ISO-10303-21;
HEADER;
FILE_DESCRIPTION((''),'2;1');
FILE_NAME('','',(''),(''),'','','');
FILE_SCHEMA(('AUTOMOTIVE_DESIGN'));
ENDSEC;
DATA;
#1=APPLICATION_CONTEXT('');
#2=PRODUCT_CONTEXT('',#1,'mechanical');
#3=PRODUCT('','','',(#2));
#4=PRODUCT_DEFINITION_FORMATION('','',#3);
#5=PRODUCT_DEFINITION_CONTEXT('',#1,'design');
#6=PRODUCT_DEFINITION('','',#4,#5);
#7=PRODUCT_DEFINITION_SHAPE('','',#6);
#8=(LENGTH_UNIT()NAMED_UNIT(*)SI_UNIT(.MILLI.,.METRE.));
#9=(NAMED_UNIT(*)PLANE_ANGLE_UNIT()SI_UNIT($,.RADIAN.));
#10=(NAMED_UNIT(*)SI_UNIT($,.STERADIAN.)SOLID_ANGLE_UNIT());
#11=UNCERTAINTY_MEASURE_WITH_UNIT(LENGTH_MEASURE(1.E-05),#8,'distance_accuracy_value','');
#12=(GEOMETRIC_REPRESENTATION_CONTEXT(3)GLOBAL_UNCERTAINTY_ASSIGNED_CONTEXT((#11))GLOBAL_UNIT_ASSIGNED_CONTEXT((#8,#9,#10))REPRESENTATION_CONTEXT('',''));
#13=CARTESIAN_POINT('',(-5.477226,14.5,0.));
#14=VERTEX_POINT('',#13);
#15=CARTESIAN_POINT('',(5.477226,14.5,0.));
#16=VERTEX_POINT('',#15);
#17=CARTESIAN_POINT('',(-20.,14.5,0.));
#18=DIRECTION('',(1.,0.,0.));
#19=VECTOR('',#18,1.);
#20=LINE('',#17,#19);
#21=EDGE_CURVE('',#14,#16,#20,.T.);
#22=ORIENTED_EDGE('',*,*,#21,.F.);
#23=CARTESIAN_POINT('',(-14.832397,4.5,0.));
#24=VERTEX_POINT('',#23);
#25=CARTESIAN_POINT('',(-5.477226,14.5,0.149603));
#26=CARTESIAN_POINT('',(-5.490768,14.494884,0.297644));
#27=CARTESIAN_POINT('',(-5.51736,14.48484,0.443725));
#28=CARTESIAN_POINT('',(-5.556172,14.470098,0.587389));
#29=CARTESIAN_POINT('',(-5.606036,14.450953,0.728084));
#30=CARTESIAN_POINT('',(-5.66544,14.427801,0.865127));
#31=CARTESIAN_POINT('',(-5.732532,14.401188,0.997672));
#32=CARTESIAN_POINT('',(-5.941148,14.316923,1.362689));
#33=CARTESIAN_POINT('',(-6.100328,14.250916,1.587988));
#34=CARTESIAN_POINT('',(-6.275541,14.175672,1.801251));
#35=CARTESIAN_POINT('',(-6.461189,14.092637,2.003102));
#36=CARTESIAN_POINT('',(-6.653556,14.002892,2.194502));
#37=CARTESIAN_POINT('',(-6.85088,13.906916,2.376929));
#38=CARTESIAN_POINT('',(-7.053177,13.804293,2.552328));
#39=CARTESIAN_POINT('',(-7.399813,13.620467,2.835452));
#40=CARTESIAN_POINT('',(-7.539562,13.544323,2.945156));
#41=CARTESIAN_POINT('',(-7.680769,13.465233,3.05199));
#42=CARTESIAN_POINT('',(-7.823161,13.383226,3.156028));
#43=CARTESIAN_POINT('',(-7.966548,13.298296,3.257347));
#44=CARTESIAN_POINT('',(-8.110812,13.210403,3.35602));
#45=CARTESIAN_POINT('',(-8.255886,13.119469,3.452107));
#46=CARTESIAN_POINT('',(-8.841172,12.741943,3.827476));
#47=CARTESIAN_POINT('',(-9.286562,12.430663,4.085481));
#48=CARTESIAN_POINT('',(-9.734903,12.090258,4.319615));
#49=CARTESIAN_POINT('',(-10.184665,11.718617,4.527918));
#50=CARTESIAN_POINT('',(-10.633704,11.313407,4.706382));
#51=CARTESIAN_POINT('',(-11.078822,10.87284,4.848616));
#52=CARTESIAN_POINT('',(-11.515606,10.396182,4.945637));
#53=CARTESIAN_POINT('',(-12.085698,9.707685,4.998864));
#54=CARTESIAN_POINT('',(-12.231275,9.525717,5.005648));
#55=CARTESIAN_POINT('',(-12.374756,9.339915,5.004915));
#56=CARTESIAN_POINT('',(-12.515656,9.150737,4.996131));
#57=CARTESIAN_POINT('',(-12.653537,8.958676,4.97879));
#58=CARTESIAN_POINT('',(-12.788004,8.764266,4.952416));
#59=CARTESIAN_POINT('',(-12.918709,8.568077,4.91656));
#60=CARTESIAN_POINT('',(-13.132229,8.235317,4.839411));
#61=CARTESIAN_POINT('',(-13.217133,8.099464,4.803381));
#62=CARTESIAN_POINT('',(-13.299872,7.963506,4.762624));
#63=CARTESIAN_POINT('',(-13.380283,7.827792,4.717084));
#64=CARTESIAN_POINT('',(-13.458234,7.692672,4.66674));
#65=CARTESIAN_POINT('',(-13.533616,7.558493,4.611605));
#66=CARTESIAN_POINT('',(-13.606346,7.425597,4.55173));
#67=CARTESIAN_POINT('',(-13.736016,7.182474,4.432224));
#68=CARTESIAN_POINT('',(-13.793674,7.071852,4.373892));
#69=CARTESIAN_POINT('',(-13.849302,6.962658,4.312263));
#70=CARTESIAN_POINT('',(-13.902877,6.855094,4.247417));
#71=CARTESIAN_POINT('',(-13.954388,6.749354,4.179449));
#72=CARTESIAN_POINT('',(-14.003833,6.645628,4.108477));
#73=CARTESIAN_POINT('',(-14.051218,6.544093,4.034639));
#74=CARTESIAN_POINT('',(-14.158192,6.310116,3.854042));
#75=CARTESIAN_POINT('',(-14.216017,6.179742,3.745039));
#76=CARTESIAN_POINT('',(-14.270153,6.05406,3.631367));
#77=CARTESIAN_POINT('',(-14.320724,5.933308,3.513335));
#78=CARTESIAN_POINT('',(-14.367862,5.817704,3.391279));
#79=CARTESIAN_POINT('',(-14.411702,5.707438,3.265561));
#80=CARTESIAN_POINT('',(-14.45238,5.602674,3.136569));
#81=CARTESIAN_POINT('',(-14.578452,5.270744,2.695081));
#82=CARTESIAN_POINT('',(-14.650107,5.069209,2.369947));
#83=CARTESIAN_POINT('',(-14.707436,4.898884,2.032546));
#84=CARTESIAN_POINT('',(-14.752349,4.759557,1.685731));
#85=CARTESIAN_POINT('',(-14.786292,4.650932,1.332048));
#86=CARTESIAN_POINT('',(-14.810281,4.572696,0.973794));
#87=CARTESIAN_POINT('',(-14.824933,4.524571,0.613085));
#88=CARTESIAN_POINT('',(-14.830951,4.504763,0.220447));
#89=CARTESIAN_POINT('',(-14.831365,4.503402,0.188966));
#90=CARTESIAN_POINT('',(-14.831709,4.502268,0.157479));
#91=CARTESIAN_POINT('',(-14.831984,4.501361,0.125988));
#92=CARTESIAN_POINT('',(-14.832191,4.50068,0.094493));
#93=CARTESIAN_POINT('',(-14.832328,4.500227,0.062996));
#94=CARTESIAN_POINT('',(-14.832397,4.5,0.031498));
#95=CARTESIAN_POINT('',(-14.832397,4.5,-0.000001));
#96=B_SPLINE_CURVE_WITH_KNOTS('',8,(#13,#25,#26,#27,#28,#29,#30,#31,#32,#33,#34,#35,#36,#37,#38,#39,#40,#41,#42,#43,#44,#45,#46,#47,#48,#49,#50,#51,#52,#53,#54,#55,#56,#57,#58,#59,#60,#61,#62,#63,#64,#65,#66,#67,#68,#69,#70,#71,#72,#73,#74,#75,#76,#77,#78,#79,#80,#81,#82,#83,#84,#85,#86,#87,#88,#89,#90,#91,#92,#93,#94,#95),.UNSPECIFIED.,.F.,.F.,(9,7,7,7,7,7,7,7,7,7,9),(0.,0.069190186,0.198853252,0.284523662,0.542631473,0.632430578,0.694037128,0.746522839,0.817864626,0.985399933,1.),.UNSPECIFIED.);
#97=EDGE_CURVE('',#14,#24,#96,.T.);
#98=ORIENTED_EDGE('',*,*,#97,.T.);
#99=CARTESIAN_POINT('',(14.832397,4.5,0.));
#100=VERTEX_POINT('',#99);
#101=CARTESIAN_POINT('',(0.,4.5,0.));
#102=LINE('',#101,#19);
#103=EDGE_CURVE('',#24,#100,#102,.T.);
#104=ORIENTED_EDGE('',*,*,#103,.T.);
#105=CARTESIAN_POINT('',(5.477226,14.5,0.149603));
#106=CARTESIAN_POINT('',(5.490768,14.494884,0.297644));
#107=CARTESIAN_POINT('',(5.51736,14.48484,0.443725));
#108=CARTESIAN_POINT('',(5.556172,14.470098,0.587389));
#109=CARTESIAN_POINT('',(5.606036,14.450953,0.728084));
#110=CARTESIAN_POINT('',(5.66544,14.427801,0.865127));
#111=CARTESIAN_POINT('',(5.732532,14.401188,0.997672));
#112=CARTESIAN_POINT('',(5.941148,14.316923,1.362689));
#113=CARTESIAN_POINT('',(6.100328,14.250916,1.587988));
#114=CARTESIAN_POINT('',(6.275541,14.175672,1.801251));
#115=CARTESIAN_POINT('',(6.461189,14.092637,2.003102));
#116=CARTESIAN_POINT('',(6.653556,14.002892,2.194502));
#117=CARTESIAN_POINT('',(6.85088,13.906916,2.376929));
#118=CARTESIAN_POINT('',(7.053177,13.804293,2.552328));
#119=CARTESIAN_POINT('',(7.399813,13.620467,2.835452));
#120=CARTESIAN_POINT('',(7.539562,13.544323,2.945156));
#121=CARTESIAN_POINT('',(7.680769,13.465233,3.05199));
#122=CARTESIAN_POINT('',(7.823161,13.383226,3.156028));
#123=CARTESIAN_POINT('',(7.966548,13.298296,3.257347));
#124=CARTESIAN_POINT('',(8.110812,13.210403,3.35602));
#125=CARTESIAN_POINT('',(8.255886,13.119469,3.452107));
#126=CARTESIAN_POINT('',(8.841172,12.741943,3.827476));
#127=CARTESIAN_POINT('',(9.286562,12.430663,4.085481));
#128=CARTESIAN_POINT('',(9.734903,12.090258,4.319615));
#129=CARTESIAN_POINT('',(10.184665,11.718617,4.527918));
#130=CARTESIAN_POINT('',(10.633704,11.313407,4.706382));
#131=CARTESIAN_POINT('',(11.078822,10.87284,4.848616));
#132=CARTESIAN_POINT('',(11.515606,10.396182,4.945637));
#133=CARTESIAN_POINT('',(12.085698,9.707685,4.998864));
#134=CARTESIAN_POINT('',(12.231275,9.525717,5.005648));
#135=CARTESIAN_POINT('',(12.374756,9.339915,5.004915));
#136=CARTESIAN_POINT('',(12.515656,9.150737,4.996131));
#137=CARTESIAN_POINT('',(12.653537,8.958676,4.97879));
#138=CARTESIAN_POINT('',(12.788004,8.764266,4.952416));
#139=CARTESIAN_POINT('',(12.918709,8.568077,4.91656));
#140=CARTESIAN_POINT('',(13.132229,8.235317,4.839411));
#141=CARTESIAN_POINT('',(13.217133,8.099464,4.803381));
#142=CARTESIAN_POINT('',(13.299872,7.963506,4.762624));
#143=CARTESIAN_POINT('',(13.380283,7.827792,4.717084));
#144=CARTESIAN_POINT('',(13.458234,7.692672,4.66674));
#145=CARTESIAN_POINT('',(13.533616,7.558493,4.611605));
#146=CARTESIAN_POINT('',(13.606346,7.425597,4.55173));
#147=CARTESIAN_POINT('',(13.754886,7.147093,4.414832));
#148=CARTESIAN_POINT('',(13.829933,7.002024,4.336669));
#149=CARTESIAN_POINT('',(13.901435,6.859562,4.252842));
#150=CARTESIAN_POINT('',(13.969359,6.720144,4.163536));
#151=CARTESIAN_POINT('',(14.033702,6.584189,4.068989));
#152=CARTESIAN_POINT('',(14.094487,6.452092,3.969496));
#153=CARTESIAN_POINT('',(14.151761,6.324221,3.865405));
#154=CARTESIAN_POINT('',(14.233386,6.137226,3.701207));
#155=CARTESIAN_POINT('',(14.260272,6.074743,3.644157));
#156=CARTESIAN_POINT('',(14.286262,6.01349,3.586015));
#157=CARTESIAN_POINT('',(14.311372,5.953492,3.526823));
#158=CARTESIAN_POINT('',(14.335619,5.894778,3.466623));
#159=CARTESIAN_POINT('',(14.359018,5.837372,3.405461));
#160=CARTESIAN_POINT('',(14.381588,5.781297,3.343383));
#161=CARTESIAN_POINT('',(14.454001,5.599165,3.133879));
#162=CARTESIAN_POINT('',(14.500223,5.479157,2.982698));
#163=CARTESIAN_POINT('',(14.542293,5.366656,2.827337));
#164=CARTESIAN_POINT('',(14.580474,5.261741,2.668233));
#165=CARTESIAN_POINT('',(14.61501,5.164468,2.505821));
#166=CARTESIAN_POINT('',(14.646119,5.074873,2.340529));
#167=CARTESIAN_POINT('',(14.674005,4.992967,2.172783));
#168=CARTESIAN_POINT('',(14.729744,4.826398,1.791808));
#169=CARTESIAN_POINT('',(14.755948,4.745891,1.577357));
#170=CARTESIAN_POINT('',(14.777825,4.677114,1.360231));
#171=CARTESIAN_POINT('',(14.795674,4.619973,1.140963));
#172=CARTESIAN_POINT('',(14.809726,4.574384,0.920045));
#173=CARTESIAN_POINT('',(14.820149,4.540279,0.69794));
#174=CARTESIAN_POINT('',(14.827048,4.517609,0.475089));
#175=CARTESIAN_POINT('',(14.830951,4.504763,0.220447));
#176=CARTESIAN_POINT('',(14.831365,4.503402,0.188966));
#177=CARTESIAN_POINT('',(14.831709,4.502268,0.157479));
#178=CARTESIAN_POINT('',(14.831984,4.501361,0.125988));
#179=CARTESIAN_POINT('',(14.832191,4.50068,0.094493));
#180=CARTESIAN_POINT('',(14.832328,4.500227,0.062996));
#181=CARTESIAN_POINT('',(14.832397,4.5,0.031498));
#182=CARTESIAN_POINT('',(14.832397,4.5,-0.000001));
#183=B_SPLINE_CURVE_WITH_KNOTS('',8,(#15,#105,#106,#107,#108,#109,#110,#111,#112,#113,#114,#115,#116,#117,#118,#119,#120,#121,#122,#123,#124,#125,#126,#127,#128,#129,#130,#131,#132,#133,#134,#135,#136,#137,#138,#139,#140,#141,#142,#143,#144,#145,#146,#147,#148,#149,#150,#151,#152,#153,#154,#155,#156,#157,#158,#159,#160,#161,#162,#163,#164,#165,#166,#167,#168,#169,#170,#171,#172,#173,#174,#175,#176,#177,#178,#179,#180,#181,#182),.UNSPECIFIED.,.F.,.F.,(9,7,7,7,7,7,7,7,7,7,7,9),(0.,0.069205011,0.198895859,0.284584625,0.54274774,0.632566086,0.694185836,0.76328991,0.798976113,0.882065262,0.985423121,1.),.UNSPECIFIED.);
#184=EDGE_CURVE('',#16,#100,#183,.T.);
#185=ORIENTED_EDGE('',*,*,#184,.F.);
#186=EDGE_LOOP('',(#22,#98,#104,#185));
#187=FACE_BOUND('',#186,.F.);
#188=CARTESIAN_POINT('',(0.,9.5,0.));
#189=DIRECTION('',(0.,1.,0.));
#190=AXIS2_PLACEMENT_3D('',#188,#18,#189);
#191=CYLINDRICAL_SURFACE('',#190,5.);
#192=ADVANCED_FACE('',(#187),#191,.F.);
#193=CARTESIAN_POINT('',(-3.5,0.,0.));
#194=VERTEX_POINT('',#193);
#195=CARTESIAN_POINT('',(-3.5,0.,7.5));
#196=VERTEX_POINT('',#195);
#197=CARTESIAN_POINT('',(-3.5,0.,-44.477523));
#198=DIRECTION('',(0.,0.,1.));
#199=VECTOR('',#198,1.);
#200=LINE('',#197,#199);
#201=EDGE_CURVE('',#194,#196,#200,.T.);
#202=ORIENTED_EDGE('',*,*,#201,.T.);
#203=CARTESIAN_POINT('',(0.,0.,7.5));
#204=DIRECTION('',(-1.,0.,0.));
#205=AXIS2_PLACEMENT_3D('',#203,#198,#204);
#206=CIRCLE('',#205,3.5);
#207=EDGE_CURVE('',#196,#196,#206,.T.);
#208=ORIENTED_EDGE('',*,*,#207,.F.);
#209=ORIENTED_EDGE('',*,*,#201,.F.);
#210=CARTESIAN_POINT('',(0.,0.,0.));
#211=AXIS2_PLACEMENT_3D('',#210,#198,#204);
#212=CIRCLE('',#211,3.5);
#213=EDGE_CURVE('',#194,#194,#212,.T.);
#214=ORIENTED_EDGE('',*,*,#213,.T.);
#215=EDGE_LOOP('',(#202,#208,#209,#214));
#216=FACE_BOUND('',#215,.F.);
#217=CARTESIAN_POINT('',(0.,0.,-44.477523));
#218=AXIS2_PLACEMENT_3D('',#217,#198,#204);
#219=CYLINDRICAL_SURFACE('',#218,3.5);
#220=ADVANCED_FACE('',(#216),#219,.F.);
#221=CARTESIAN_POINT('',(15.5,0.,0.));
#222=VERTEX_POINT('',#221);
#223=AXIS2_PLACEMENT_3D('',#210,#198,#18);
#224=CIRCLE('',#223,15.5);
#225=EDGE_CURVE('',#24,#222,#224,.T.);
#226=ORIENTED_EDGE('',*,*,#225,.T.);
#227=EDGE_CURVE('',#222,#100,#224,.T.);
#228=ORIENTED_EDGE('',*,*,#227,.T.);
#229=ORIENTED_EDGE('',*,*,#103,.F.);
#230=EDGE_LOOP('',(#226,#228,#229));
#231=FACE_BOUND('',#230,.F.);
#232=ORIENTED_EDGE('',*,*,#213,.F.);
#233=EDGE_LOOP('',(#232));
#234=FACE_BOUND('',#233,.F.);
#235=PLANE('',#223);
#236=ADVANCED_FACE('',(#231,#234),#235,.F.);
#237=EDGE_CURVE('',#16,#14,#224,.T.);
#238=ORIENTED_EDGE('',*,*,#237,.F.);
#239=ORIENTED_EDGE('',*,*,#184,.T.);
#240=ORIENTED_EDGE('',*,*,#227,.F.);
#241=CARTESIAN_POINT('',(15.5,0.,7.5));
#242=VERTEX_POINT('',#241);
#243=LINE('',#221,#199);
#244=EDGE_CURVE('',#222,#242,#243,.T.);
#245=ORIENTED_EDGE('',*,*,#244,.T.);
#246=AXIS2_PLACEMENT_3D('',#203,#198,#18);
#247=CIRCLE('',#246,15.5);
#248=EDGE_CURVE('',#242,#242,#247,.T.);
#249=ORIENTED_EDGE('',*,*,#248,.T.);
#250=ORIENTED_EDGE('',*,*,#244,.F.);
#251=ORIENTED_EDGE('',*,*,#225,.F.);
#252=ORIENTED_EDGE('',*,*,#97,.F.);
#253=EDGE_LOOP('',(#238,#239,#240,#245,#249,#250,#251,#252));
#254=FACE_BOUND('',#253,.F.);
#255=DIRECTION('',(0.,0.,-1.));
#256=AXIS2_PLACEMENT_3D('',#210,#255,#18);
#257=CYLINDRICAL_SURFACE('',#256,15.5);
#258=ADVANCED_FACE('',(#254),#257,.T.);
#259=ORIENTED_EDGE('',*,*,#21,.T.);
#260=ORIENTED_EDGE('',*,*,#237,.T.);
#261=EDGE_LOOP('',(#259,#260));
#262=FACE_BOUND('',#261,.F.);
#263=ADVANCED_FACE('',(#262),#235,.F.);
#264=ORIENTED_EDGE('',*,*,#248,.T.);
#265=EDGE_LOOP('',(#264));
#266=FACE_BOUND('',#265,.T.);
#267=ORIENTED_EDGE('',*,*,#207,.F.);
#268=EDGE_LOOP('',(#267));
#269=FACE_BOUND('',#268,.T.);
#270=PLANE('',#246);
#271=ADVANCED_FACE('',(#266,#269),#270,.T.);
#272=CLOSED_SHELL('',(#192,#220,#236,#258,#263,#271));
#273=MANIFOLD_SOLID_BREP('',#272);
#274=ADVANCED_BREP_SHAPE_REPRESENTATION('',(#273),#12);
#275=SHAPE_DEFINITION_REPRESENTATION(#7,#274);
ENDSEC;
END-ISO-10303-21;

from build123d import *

# Parameters (mm, degrees)
F0_R     = 15.5
F2_DEPTH = 7.5
F3_R     = 5
F4_DEPTH = 20
F5_D     = 7


with BuildPart() as f2:
    # F0 (on Top) → F2 (new body)
    with BuildSketch(Plane.XY):
        Circle(F0_R)
    extrude(amount=F2_DEPTH)

    # F3 (on Right) → F4 (cut, symmetric)
    with BuildSketch(Plane.YZ):
        with Locations((9.5, 0)):
            Circle(F3_R)
    extrude(amount=F4_DEPTH, both=True, mode=Mode.SUBTRACT)

    # F5 (through all)
    with Locations(Plane(origin=(0, 0, 0), x_dir=(1, 0, 0), z_dir=(0, 0, -1))):
        with Locations((0, 0)):
            Hole(F5_D / 2)


solid = f2.part
